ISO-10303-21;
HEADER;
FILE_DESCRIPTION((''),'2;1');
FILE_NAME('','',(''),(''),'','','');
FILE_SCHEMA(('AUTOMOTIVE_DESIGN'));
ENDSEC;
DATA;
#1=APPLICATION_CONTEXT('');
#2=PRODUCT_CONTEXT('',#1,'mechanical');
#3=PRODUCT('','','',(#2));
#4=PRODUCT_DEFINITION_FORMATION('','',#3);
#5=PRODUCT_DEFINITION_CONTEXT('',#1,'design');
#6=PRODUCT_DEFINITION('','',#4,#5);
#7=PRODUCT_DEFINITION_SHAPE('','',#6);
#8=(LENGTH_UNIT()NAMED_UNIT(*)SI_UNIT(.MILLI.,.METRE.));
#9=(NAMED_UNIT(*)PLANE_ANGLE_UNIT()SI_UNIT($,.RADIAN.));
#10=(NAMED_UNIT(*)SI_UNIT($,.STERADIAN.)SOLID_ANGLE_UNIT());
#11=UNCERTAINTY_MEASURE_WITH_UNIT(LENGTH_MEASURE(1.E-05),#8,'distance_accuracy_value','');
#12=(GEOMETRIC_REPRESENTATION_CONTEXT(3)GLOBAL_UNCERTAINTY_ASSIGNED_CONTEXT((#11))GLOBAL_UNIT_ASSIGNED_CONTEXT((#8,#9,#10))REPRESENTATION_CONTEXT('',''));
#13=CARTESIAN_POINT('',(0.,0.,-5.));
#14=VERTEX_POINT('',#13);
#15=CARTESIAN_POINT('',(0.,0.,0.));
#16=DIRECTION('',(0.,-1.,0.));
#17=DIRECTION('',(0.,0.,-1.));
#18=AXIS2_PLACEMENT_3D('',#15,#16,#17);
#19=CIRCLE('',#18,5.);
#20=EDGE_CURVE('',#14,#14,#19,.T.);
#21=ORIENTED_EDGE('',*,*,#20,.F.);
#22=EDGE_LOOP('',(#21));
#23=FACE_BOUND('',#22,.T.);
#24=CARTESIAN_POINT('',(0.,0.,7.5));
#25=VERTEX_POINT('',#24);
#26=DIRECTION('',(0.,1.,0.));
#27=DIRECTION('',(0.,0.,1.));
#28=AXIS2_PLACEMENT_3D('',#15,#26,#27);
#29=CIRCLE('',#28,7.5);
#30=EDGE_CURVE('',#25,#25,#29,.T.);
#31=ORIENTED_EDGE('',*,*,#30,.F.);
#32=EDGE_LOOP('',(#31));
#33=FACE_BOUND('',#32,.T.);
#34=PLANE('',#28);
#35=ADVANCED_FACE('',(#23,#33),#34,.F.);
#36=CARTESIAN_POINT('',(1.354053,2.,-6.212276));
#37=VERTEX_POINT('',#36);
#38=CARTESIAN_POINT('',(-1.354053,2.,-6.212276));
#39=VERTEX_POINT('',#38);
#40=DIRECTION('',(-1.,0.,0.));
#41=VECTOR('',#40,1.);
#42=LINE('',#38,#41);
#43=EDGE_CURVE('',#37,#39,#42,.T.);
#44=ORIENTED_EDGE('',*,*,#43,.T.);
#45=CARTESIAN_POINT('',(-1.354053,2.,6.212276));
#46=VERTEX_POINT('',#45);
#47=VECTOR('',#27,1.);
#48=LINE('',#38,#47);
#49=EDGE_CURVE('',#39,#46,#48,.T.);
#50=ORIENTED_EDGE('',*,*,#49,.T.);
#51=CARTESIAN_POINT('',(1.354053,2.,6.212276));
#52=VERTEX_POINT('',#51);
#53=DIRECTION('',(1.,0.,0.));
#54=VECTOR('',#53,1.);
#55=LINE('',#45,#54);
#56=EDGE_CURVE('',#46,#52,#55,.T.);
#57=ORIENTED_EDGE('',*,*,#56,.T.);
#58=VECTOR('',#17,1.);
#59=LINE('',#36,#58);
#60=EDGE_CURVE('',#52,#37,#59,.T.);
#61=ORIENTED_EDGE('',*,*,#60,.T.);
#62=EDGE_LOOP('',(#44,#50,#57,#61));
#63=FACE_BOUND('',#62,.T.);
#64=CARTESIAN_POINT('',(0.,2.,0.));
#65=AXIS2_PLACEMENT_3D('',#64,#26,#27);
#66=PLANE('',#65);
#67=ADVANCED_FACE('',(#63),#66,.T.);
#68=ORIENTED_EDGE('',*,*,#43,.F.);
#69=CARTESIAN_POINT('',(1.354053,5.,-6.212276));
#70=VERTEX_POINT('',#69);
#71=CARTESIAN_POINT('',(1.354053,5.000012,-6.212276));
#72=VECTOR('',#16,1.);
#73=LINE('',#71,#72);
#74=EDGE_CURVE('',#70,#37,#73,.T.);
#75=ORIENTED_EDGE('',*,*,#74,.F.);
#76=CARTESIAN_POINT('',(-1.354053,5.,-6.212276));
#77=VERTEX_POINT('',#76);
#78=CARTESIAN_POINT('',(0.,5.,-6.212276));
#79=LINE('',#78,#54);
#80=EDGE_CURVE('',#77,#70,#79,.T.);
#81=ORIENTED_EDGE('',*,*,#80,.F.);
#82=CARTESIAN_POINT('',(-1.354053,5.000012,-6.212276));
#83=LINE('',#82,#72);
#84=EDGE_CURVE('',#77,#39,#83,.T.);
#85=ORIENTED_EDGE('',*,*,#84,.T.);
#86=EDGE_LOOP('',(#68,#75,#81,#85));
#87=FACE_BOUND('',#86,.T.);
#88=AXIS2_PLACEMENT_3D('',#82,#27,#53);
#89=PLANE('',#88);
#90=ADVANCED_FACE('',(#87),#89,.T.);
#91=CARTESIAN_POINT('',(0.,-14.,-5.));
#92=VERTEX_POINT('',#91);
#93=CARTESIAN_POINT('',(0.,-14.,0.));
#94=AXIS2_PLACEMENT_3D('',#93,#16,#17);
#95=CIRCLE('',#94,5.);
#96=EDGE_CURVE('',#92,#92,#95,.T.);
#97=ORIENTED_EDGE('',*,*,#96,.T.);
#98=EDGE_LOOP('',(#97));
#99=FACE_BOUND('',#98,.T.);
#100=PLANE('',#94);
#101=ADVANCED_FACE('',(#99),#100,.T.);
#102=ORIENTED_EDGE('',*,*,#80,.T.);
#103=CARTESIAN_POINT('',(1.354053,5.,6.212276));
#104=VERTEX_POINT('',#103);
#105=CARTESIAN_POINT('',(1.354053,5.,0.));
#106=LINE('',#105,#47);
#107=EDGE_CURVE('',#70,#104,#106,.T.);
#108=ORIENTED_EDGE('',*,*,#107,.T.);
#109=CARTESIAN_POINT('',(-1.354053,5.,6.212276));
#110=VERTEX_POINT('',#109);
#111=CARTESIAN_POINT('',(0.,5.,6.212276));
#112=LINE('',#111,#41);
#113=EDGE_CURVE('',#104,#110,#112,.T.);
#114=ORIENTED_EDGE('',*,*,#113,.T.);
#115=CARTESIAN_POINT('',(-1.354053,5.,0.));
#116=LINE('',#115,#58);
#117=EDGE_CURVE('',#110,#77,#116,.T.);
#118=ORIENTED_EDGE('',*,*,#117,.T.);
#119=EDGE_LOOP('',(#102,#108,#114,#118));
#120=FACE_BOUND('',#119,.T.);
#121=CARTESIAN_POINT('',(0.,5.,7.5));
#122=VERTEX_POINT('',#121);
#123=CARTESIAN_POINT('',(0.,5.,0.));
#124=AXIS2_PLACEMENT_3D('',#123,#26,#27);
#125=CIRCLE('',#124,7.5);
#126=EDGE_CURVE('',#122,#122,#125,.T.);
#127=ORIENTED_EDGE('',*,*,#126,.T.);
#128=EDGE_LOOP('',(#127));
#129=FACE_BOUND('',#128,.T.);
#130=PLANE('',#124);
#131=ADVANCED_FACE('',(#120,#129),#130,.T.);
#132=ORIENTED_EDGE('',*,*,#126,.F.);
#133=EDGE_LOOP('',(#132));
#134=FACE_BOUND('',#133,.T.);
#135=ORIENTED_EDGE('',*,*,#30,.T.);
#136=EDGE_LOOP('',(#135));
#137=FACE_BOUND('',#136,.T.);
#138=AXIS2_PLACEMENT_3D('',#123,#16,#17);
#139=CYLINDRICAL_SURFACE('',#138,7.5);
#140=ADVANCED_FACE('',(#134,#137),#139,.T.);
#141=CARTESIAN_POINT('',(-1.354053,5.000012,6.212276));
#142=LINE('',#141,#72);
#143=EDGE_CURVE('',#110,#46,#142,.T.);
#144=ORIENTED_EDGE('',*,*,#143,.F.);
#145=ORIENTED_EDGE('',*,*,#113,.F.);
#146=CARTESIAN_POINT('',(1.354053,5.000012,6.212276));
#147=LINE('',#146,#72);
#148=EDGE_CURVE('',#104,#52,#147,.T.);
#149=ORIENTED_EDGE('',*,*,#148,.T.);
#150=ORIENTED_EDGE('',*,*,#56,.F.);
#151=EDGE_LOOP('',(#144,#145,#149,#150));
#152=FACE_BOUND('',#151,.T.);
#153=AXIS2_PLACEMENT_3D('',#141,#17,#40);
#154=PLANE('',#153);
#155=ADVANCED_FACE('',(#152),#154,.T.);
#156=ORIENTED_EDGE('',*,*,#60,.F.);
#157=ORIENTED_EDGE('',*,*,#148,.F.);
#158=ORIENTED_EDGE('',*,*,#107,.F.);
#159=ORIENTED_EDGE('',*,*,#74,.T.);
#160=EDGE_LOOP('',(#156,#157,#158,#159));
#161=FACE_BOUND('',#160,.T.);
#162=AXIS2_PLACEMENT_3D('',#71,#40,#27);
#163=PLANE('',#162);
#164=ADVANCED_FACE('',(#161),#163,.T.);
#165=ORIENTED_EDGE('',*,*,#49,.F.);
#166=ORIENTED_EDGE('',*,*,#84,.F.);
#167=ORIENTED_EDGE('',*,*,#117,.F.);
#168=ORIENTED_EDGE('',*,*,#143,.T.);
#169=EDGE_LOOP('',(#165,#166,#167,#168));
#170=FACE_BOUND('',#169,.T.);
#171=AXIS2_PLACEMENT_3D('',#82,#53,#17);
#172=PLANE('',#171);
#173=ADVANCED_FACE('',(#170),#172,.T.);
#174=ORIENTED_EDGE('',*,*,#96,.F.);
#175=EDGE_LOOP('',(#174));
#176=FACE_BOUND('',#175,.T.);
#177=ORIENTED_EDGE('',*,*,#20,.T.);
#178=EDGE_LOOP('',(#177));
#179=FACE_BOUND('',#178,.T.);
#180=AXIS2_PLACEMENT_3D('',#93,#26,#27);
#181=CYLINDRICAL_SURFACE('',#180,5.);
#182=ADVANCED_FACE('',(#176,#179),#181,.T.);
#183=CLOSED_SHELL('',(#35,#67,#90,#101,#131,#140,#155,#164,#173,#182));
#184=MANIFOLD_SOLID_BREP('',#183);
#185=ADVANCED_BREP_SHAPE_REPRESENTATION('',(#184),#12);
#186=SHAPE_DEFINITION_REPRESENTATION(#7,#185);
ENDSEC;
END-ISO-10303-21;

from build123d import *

# Parameters (mm, degrees)
SKETCH_1_R               = 7.5
EXTRUDE_1_DEPTH          = 5
SKETCH_2_R               = 5
EXTRUDE_2_DEPTH          = 14
CUT_EXTRUDE_1_DEPTH      = 22.760055147
CUT_EXTRUDE_1_DEPTH_BACK = 3
SKETCH_3_W               = 2.708105792
SKETCH_3_H               = 12.424551298


with BuildPart() as part:
    # 草图1 → 凸台-拉伸1 (new body)
    with BuildSketch(Plane(origin=(0, 0, 0), x_dir=(1, 0, 0), z_dir=(0, 1, 0))):
        with Locations(Location((0, 0, 0), (0, 0, 270))):
            Circle(SKETCH_1_R)
    extrude(amount=EXTRUDE_1_DEPTH)

    # 草图2 → 凸台-拉伸2 (add)
    with BuildSketch(Plane(origin=(0, 0, 0), x_dir=(-1, 0, 0), z_dir=(0, -1, 0))):
        with Locations(Location((0, 0, 0), (0, 0, 90))):
            Circle(SKETCH_2_R)
    extrude(amount=EXTRUDE_2_DEPTH)

    # 草图3 → 切除-拉伸1 (cut, two sides: drawn at the far end of the back side and taken through both)
    with BuildSketch(Plane(origin=(0, 5, 0), x_dir=(1, 0, 0), z_dir=(0, 1, 0)).offset(-CUT_EXTRUDE_1_DEPTH_BACK)):
        Rectangle(SKETCH_3_W, SKETCH_3_H)
    extrude(amount=CUT_EXTRUDE_1_DEPTH + CUT_EXTRUDE_1_DEPTH_BACK, mode=Mode.SUBTRACT)


solid = part.part
